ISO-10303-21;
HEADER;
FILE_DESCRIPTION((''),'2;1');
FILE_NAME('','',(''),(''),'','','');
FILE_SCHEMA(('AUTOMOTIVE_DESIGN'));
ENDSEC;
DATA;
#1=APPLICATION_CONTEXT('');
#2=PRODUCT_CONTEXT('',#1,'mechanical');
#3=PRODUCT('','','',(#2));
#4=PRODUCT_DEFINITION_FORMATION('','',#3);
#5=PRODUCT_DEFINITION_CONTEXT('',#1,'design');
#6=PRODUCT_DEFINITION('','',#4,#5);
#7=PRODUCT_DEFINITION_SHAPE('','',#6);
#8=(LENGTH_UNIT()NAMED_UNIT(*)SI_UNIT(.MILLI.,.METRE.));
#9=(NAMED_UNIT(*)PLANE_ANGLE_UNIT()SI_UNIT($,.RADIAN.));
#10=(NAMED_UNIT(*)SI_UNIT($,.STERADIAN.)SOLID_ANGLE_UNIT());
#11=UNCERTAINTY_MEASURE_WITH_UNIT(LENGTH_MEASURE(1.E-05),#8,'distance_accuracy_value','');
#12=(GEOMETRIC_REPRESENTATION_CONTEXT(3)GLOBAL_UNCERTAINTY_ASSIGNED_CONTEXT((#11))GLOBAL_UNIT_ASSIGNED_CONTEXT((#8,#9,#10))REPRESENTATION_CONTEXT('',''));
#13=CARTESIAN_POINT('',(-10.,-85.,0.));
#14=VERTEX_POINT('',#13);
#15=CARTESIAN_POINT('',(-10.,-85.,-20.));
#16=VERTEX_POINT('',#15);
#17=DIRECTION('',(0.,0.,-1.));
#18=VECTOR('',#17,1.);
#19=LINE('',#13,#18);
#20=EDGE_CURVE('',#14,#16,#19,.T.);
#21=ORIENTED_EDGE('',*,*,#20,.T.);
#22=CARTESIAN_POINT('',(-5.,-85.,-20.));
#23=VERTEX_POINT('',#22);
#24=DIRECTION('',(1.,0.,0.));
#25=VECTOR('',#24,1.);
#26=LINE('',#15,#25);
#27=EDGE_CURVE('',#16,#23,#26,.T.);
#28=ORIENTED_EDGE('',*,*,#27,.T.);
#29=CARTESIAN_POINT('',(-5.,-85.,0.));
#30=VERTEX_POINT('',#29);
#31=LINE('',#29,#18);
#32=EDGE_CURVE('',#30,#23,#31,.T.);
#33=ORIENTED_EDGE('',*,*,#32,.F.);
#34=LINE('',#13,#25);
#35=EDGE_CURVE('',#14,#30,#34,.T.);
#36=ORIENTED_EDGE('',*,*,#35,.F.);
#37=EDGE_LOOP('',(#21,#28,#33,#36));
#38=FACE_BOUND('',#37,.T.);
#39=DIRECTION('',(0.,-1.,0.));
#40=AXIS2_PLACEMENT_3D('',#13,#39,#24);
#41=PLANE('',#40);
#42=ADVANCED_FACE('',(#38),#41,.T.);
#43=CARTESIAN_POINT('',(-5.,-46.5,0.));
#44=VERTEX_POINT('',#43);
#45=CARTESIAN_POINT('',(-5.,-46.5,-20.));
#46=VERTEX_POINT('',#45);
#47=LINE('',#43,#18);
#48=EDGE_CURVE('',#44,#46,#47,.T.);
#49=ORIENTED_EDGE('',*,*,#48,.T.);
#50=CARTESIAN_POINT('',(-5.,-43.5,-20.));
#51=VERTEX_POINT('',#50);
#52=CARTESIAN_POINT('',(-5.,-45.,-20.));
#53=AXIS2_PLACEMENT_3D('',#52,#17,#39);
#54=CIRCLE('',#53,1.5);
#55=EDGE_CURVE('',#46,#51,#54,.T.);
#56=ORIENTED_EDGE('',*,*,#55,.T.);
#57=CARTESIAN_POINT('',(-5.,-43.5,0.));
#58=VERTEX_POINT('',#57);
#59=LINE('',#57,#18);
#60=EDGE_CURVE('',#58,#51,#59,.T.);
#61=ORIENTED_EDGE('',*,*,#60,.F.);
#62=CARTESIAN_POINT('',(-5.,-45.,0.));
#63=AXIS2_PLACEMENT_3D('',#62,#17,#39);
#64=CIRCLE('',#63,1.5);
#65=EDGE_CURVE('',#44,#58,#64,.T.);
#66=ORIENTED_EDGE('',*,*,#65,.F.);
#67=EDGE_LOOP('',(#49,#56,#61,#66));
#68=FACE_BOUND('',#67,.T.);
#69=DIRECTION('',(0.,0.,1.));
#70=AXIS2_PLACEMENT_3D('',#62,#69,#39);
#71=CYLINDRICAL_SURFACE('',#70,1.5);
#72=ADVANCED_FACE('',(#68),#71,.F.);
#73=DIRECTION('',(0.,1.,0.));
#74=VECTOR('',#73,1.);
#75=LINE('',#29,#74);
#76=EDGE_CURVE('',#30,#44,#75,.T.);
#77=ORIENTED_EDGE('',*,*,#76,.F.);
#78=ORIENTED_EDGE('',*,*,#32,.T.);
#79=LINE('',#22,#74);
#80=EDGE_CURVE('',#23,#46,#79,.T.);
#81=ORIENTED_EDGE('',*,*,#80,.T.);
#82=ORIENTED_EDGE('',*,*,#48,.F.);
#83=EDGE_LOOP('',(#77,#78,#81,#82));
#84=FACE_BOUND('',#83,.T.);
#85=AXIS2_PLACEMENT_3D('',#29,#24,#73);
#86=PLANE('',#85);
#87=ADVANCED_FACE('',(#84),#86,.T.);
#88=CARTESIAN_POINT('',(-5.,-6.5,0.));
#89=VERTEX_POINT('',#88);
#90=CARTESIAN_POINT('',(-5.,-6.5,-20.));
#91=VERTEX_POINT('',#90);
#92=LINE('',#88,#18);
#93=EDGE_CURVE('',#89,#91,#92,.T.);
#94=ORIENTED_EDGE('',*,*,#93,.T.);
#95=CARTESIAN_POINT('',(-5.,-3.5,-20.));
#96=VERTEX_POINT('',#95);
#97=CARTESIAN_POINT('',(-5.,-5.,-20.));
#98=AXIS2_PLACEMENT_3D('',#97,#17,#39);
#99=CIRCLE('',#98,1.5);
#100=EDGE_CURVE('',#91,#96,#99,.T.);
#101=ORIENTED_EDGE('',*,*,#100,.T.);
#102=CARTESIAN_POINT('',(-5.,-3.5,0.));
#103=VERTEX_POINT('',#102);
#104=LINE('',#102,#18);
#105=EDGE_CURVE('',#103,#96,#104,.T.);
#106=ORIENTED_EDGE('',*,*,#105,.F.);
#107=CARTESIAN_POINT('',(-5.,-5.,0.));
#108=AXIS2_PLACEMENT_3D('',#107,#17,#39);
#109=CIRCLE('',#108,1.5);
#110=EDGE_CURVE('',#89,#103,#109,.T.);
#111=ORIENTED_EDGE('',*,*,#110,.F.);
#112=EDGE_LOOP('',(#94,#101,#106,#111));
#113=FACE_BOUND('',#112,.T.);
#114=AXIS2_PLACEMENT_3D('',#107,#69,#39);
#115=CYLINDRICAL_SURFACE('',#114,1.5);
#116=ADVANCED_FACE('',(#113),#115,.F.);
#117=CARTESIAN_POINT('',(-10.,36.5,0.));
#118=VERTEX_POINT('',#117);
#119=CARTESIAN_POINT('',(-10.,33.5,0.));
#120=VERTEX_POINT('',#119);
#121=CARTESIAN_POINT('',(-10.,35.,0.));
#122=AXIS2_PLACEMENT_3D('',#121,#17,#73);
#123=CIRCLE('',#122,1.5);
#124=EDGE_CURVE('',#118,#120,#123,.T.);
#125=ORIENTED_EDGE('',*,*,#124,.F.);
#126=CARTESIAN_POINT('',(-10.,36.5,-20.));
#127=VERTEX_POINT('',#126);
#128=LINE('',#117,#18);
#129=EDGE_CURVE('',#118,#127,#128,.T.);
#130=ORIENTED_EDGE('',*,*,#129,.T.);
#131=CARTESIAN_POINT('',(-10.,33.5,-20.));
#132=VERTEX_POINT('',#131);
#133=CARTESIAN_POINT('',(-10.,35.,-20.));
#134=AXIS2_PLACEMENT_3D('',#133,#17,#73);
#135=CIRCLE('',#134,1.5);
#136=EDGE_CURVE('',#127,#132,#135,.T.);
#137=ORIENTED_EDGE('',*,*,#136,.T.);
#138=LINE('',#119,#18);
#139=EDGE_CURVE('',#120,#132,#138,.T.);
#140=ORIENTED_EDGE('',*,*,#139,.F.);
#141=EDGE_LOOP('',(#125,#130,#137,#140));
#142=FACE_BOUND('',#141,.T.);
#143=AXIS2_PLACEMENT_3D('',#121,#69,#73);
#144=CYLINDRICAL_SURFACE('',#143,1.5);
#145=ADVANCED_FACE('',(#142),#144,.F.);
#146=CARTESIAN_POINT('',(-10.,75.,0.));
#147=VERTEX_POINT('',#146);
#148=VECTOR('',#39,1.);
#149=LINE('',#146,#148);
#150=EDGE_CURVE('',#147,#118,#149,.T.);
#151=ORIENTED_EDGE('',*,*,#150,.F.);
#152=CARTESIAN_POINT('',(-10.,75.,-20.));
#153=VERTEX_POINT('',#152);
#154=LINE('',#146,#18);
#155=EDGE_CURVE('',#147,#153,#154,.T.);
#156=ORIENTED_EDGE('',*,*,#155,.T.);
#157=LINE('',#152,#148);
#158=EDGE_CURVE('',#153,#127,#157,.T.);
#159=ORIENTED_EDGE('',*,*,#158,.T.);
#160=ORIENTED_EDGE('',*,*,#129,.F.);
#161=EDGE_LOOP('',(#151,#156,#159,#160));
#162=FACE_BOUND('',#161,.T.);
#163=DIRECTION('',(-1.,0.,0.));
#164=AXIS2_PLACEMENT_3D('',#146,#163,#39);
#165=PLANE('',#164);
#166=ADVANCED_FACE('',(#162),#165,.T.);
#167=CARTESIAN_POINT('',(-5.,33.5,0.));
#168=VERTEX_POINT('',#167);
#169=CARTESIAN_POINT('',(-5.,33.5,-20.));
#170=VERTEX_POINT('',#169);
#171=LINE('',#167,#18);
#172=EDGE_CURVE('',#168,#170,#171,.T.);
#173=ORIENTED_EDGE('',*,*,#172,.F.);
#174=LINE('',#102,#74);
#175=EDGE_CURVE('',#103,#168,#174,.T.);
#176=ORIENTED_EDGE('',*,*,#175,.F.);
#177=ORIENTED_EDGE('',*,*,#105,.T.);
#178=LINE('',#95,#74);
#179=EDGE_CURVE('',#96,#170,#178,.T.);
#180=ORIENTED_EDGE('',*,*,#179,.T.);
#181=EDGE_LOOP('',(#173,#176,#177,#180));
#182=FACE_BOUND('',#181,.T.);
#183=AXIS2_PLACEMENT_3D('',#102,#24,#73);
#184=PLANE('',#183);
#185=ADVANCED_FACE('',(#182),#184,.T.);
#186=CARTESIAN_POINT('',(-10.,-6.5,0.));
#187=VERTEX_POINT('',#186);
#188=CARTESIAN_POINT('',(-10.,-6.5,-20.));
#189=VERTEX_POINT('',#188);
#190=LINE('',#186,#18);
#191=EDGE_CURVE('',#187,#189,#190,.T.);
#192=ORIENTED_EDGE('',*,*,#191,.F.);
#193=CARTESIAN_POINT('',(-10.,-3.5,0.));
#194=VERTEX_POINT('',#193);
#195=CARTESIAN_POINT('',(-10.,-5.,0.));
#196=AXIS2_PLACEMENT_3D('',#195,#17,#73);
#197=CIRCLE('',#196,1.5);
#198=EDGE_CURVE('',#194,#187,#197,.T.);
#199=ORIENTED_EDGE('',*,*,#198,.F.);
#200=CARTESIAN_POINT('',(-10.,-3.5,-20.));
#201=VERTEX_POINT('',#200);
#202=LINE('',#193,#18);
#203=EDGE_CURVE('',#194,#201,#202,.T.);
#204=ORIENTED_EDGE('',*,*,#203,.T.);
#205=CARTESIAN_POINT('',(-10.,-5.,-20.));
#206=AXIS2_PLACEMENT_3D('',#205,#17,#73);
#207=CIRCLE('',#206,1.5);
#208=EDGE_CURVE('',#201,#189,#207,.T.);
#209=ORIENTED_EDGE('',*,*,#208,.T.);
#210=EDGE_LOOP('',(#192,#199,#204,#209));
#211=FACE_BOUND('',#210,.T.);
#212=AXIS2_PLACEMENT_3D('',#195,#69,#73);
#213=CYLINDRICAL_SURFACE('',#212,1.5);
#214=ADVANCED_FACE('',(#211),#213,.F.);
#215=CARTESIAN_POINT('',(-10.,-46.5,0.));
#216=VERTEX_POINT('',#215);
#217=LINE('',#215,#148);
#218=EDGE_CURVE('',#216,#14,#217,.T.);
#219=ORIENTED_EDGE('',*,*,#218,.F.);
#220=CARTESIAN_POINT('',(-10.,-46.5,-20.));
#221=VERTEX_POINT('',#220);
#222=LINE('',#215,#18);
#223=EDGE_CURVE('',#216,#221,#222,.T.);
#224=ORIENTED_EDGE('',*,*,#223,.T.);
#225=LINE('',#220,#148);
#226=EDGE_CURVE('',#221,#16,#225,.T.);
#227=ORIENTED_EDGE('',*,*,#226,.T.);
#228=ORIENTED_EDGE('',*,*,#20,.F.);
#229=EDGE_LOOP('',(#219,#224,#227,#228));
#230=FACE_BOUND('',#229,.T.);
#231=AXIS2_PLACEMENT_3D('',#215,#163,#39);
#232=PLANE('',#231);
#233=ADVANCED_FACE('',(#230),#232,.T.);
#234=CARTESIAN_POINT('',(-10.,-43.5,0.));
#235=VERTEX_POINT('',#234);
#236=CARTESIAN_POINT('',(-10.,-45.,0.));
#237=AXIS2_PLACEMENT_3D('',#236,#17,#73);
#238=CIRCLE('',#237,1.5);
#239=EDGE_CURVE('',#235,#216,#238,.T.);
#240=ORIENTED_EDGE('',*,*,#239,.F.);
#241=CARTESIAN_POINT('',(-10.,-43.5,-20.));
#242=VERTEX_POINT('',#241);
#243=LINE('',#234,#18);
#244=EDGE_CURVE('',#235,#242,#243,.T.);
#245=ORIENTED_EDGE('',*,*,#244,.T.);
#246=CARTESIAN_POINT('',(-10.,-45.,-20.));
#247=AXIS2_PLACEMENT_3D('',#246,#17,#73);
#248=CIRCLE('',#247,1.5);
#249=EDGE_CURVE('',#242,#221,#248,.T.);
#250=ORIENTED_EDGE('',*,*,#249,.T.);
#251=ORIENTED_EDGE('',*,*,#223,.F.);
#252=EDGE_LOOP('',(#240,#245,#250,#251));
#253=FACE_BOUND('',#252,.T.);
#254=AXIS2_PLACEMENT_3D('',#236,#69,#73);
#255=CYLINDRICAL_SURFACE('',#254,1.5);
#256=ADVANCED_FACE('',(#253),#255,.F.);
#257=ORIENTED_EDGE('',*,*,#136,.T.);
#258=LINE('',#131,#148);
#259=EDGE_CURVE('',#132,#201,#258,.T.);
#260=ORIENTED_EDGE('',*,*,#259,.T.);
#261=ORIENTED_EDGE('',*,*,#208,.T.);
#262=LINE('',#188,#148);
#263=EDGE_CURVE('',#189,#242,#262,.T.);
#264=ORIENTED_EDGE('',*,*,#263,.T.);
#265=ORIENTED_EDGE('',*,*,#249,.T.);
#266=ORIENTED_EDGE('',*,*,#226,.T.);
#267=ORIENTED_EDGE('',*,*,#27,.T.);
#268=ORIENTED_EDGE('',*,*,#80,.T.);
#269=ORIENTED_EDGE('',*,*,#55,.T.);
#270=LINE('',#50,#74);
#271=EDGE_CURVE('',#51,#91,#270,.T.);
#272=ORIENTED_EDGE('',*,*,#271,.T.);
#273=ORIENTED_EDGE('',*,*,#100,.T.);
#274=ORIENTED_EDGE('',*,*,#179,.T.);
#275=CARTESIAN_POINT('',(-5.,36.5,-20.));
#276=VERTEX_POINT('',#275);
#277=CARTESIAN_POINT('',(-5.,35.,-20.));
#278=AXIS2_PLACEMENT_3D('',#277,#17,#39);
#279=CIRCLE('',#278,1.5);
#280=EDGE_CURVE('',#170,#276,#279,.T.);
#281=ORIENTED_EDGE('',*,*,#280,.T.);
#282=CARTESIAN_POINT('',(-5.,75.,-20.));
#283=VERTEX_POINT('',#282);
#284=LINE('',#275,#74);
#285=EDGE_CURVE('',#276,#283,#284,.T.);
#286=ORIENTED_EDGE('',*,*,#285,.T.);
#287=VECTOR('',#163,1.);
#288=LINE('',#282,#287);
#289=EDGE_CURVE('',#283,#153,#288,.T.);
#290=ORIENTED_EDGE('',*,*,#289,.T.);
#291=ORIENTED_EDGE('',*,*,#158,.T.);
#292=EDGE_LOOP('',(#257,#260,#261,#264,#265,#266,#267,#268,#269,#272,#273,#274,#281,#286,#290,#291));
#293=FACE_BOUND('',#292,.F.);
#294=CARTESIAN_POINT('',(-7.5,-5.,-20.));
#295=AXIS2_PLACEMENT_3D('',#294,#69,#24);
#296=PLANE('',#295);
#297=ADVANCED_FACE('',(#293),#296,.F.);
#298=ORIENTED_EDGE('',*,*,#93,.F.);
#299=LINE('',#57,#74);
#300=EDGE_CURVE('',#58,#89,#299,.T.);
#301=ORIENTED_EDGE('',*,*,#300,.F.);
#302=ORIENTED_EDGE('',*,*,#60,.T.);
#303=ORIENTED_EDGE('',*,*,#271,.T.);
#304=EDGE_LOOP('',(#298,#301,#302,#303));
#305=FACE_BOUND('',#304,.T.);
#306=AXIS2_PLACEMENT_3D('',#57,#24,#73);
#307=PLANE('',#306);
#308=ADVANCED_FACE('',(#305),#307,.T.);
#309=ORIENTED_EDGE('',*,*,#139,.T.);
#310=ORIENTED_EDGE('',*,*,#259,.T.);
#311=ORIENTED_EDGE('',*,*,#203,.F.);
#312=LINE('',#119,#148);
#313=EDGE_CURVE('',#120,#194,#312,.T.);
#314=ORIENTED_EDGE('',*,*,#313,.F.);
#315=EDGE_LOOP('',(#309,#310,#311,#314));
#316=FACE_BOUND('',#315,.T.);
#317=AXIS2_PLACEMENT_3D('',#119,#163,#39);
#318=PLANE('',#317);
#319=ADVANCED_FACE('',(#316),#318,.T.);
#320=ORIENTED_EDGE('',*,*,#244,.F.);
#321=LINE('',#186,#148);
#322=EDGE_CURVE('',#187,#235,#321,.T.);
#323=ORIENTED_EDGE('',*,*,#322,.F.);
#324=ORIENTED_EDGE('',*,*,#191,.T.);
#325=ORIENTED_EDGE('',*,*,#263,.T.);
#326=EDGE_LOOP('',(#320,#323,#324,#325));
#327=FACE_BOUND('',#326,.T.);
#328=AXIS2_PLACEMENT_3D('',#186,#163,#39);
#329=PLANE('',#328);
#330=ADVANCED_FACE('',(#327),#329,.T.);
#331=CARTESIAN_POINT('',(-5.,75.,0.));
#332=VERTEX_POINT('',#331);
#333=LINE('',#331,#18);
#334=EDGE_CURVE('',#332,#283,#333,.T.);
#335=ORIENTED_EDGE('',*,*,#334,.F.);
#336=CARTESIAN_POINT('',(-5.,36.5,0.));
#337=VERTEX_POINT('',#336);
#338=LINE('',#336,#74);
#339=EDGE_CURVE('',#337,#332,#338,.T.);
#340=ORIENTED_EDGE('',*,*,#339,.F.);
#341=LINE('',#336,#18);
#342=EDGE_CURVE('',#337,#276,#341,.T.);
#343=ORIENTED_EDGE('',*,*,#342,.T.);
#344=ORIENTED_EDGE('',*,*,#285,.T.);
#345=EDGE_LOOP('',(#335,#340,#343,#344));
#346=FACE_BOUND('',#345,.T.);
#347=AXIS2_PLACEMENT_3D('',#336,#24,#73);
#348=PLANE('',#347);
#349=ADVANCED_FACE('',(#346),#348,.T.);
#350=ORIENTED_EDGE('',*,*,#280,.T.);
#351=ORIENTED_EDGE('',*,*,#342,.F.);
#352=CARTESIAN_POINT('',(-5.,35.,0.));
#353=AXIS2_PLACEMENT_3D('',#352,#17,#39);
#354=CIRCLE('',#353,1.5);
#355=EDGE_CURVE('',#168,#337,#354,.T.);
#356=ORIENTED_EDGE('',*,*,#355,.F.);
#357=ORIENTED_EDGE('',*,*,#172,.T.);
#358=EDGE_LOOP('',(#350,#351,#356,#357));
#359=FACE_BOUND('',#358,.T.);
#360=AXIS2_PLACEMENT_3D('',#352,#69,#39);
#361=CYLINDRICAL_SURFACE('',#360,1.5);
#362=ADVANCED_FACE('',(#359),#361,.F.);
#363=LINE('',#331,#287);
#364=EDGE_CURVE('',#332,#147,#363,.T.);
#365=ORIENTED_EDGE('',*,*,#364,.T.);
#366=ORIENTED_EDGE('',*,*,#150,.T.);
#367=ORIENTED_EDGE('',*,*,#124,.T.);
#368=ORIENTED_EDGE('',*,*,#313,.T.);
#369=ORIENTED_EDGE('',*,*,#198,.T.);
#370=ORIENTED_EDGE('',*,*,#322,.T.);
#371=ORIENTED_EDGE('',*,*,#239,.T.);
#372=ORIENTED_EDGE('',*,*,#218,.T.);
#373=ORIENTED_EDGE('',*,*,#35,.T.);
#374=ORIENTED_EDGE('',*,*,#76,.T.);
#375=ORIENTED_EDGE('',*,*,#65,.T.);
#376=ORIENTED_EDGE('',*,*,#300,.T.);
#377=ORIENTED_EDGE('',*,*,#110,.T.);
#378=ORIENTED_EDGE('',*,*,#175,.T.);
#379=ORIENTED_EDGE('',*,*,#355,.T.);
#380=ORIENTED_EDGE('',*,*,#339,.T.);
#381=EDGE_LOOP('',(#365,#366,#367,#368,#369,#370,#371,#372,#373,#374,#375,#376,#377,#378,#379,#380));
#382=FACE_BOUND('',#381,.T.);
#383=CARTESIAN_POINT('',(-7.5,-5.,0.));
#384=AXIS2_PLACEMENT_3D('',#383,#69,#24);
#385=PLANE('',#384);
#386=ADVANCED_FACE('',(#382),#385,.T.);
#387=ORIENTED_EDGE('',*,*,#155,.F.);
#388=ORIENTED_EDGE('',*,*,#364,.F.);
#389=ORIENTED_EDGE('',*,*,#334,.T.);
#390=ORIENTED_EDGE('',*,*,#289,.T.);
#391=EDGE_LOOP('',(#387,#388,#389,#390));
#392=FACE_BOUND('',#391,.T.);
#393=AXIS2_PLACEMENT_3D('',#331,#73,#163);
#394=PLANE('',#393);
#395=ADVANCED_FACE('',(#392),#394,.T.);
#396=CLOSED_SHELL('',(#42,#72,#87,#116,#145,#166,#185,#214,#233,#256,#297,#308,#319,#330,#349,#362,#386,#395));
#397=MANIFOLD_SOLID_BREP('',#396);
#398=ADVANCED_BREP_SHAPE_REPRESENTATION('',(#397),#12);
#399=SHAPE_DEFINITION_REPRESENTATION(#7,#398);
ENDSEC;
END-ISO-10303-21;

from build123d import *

# Parameters (mm, degrees)
F1_DEPTH = 20


with BuildPart() as f1:
    # F0 (on Top) → F1 (new body)
    with BuildSketch(Plane.XY):
        with BuildLine():
            Line((-5, 75), (-10, 75))
            Line((-10, 75), (-10, 36.5))
            ThreePointArc((-10, 36.5), (-8.5, 35), (-10, 33.5))
            Line((-10, 33.5), (-10, -3.5))
            ThreePointArc((-10, -3.5), (-8.5, -5), (-10, -6.5))
            Line((-10, -6.5), (-10, -43.5))
            ThreePointArc((-10, -43.5), (-8.5, -45), (-10, -46.5))
            Line((-10, -46.5), (-10, -85))
            Line((-10, -85), (-5, -85))
            Line((-5, -85), (-5, -46.5))
            ThreePointArc((-5, -46.5), (-6.5, -45), (-5, -43.5))
            Line((-5, -43.5), (-5, -6.5))
            ThreePointArc((-5, -6.5), (-6.5, -5), (-5, -3.5))
            Line((-5, -3.5), (-5, 33.5))
            ThreePointArc((-5, 33.5), (-6.5, 35), (-5, 36.5))
            Line((-5, 36.5), (-5, 75))
        make_face()
    extrude(amount=-F1_DEPTH)


solid = f1.part
